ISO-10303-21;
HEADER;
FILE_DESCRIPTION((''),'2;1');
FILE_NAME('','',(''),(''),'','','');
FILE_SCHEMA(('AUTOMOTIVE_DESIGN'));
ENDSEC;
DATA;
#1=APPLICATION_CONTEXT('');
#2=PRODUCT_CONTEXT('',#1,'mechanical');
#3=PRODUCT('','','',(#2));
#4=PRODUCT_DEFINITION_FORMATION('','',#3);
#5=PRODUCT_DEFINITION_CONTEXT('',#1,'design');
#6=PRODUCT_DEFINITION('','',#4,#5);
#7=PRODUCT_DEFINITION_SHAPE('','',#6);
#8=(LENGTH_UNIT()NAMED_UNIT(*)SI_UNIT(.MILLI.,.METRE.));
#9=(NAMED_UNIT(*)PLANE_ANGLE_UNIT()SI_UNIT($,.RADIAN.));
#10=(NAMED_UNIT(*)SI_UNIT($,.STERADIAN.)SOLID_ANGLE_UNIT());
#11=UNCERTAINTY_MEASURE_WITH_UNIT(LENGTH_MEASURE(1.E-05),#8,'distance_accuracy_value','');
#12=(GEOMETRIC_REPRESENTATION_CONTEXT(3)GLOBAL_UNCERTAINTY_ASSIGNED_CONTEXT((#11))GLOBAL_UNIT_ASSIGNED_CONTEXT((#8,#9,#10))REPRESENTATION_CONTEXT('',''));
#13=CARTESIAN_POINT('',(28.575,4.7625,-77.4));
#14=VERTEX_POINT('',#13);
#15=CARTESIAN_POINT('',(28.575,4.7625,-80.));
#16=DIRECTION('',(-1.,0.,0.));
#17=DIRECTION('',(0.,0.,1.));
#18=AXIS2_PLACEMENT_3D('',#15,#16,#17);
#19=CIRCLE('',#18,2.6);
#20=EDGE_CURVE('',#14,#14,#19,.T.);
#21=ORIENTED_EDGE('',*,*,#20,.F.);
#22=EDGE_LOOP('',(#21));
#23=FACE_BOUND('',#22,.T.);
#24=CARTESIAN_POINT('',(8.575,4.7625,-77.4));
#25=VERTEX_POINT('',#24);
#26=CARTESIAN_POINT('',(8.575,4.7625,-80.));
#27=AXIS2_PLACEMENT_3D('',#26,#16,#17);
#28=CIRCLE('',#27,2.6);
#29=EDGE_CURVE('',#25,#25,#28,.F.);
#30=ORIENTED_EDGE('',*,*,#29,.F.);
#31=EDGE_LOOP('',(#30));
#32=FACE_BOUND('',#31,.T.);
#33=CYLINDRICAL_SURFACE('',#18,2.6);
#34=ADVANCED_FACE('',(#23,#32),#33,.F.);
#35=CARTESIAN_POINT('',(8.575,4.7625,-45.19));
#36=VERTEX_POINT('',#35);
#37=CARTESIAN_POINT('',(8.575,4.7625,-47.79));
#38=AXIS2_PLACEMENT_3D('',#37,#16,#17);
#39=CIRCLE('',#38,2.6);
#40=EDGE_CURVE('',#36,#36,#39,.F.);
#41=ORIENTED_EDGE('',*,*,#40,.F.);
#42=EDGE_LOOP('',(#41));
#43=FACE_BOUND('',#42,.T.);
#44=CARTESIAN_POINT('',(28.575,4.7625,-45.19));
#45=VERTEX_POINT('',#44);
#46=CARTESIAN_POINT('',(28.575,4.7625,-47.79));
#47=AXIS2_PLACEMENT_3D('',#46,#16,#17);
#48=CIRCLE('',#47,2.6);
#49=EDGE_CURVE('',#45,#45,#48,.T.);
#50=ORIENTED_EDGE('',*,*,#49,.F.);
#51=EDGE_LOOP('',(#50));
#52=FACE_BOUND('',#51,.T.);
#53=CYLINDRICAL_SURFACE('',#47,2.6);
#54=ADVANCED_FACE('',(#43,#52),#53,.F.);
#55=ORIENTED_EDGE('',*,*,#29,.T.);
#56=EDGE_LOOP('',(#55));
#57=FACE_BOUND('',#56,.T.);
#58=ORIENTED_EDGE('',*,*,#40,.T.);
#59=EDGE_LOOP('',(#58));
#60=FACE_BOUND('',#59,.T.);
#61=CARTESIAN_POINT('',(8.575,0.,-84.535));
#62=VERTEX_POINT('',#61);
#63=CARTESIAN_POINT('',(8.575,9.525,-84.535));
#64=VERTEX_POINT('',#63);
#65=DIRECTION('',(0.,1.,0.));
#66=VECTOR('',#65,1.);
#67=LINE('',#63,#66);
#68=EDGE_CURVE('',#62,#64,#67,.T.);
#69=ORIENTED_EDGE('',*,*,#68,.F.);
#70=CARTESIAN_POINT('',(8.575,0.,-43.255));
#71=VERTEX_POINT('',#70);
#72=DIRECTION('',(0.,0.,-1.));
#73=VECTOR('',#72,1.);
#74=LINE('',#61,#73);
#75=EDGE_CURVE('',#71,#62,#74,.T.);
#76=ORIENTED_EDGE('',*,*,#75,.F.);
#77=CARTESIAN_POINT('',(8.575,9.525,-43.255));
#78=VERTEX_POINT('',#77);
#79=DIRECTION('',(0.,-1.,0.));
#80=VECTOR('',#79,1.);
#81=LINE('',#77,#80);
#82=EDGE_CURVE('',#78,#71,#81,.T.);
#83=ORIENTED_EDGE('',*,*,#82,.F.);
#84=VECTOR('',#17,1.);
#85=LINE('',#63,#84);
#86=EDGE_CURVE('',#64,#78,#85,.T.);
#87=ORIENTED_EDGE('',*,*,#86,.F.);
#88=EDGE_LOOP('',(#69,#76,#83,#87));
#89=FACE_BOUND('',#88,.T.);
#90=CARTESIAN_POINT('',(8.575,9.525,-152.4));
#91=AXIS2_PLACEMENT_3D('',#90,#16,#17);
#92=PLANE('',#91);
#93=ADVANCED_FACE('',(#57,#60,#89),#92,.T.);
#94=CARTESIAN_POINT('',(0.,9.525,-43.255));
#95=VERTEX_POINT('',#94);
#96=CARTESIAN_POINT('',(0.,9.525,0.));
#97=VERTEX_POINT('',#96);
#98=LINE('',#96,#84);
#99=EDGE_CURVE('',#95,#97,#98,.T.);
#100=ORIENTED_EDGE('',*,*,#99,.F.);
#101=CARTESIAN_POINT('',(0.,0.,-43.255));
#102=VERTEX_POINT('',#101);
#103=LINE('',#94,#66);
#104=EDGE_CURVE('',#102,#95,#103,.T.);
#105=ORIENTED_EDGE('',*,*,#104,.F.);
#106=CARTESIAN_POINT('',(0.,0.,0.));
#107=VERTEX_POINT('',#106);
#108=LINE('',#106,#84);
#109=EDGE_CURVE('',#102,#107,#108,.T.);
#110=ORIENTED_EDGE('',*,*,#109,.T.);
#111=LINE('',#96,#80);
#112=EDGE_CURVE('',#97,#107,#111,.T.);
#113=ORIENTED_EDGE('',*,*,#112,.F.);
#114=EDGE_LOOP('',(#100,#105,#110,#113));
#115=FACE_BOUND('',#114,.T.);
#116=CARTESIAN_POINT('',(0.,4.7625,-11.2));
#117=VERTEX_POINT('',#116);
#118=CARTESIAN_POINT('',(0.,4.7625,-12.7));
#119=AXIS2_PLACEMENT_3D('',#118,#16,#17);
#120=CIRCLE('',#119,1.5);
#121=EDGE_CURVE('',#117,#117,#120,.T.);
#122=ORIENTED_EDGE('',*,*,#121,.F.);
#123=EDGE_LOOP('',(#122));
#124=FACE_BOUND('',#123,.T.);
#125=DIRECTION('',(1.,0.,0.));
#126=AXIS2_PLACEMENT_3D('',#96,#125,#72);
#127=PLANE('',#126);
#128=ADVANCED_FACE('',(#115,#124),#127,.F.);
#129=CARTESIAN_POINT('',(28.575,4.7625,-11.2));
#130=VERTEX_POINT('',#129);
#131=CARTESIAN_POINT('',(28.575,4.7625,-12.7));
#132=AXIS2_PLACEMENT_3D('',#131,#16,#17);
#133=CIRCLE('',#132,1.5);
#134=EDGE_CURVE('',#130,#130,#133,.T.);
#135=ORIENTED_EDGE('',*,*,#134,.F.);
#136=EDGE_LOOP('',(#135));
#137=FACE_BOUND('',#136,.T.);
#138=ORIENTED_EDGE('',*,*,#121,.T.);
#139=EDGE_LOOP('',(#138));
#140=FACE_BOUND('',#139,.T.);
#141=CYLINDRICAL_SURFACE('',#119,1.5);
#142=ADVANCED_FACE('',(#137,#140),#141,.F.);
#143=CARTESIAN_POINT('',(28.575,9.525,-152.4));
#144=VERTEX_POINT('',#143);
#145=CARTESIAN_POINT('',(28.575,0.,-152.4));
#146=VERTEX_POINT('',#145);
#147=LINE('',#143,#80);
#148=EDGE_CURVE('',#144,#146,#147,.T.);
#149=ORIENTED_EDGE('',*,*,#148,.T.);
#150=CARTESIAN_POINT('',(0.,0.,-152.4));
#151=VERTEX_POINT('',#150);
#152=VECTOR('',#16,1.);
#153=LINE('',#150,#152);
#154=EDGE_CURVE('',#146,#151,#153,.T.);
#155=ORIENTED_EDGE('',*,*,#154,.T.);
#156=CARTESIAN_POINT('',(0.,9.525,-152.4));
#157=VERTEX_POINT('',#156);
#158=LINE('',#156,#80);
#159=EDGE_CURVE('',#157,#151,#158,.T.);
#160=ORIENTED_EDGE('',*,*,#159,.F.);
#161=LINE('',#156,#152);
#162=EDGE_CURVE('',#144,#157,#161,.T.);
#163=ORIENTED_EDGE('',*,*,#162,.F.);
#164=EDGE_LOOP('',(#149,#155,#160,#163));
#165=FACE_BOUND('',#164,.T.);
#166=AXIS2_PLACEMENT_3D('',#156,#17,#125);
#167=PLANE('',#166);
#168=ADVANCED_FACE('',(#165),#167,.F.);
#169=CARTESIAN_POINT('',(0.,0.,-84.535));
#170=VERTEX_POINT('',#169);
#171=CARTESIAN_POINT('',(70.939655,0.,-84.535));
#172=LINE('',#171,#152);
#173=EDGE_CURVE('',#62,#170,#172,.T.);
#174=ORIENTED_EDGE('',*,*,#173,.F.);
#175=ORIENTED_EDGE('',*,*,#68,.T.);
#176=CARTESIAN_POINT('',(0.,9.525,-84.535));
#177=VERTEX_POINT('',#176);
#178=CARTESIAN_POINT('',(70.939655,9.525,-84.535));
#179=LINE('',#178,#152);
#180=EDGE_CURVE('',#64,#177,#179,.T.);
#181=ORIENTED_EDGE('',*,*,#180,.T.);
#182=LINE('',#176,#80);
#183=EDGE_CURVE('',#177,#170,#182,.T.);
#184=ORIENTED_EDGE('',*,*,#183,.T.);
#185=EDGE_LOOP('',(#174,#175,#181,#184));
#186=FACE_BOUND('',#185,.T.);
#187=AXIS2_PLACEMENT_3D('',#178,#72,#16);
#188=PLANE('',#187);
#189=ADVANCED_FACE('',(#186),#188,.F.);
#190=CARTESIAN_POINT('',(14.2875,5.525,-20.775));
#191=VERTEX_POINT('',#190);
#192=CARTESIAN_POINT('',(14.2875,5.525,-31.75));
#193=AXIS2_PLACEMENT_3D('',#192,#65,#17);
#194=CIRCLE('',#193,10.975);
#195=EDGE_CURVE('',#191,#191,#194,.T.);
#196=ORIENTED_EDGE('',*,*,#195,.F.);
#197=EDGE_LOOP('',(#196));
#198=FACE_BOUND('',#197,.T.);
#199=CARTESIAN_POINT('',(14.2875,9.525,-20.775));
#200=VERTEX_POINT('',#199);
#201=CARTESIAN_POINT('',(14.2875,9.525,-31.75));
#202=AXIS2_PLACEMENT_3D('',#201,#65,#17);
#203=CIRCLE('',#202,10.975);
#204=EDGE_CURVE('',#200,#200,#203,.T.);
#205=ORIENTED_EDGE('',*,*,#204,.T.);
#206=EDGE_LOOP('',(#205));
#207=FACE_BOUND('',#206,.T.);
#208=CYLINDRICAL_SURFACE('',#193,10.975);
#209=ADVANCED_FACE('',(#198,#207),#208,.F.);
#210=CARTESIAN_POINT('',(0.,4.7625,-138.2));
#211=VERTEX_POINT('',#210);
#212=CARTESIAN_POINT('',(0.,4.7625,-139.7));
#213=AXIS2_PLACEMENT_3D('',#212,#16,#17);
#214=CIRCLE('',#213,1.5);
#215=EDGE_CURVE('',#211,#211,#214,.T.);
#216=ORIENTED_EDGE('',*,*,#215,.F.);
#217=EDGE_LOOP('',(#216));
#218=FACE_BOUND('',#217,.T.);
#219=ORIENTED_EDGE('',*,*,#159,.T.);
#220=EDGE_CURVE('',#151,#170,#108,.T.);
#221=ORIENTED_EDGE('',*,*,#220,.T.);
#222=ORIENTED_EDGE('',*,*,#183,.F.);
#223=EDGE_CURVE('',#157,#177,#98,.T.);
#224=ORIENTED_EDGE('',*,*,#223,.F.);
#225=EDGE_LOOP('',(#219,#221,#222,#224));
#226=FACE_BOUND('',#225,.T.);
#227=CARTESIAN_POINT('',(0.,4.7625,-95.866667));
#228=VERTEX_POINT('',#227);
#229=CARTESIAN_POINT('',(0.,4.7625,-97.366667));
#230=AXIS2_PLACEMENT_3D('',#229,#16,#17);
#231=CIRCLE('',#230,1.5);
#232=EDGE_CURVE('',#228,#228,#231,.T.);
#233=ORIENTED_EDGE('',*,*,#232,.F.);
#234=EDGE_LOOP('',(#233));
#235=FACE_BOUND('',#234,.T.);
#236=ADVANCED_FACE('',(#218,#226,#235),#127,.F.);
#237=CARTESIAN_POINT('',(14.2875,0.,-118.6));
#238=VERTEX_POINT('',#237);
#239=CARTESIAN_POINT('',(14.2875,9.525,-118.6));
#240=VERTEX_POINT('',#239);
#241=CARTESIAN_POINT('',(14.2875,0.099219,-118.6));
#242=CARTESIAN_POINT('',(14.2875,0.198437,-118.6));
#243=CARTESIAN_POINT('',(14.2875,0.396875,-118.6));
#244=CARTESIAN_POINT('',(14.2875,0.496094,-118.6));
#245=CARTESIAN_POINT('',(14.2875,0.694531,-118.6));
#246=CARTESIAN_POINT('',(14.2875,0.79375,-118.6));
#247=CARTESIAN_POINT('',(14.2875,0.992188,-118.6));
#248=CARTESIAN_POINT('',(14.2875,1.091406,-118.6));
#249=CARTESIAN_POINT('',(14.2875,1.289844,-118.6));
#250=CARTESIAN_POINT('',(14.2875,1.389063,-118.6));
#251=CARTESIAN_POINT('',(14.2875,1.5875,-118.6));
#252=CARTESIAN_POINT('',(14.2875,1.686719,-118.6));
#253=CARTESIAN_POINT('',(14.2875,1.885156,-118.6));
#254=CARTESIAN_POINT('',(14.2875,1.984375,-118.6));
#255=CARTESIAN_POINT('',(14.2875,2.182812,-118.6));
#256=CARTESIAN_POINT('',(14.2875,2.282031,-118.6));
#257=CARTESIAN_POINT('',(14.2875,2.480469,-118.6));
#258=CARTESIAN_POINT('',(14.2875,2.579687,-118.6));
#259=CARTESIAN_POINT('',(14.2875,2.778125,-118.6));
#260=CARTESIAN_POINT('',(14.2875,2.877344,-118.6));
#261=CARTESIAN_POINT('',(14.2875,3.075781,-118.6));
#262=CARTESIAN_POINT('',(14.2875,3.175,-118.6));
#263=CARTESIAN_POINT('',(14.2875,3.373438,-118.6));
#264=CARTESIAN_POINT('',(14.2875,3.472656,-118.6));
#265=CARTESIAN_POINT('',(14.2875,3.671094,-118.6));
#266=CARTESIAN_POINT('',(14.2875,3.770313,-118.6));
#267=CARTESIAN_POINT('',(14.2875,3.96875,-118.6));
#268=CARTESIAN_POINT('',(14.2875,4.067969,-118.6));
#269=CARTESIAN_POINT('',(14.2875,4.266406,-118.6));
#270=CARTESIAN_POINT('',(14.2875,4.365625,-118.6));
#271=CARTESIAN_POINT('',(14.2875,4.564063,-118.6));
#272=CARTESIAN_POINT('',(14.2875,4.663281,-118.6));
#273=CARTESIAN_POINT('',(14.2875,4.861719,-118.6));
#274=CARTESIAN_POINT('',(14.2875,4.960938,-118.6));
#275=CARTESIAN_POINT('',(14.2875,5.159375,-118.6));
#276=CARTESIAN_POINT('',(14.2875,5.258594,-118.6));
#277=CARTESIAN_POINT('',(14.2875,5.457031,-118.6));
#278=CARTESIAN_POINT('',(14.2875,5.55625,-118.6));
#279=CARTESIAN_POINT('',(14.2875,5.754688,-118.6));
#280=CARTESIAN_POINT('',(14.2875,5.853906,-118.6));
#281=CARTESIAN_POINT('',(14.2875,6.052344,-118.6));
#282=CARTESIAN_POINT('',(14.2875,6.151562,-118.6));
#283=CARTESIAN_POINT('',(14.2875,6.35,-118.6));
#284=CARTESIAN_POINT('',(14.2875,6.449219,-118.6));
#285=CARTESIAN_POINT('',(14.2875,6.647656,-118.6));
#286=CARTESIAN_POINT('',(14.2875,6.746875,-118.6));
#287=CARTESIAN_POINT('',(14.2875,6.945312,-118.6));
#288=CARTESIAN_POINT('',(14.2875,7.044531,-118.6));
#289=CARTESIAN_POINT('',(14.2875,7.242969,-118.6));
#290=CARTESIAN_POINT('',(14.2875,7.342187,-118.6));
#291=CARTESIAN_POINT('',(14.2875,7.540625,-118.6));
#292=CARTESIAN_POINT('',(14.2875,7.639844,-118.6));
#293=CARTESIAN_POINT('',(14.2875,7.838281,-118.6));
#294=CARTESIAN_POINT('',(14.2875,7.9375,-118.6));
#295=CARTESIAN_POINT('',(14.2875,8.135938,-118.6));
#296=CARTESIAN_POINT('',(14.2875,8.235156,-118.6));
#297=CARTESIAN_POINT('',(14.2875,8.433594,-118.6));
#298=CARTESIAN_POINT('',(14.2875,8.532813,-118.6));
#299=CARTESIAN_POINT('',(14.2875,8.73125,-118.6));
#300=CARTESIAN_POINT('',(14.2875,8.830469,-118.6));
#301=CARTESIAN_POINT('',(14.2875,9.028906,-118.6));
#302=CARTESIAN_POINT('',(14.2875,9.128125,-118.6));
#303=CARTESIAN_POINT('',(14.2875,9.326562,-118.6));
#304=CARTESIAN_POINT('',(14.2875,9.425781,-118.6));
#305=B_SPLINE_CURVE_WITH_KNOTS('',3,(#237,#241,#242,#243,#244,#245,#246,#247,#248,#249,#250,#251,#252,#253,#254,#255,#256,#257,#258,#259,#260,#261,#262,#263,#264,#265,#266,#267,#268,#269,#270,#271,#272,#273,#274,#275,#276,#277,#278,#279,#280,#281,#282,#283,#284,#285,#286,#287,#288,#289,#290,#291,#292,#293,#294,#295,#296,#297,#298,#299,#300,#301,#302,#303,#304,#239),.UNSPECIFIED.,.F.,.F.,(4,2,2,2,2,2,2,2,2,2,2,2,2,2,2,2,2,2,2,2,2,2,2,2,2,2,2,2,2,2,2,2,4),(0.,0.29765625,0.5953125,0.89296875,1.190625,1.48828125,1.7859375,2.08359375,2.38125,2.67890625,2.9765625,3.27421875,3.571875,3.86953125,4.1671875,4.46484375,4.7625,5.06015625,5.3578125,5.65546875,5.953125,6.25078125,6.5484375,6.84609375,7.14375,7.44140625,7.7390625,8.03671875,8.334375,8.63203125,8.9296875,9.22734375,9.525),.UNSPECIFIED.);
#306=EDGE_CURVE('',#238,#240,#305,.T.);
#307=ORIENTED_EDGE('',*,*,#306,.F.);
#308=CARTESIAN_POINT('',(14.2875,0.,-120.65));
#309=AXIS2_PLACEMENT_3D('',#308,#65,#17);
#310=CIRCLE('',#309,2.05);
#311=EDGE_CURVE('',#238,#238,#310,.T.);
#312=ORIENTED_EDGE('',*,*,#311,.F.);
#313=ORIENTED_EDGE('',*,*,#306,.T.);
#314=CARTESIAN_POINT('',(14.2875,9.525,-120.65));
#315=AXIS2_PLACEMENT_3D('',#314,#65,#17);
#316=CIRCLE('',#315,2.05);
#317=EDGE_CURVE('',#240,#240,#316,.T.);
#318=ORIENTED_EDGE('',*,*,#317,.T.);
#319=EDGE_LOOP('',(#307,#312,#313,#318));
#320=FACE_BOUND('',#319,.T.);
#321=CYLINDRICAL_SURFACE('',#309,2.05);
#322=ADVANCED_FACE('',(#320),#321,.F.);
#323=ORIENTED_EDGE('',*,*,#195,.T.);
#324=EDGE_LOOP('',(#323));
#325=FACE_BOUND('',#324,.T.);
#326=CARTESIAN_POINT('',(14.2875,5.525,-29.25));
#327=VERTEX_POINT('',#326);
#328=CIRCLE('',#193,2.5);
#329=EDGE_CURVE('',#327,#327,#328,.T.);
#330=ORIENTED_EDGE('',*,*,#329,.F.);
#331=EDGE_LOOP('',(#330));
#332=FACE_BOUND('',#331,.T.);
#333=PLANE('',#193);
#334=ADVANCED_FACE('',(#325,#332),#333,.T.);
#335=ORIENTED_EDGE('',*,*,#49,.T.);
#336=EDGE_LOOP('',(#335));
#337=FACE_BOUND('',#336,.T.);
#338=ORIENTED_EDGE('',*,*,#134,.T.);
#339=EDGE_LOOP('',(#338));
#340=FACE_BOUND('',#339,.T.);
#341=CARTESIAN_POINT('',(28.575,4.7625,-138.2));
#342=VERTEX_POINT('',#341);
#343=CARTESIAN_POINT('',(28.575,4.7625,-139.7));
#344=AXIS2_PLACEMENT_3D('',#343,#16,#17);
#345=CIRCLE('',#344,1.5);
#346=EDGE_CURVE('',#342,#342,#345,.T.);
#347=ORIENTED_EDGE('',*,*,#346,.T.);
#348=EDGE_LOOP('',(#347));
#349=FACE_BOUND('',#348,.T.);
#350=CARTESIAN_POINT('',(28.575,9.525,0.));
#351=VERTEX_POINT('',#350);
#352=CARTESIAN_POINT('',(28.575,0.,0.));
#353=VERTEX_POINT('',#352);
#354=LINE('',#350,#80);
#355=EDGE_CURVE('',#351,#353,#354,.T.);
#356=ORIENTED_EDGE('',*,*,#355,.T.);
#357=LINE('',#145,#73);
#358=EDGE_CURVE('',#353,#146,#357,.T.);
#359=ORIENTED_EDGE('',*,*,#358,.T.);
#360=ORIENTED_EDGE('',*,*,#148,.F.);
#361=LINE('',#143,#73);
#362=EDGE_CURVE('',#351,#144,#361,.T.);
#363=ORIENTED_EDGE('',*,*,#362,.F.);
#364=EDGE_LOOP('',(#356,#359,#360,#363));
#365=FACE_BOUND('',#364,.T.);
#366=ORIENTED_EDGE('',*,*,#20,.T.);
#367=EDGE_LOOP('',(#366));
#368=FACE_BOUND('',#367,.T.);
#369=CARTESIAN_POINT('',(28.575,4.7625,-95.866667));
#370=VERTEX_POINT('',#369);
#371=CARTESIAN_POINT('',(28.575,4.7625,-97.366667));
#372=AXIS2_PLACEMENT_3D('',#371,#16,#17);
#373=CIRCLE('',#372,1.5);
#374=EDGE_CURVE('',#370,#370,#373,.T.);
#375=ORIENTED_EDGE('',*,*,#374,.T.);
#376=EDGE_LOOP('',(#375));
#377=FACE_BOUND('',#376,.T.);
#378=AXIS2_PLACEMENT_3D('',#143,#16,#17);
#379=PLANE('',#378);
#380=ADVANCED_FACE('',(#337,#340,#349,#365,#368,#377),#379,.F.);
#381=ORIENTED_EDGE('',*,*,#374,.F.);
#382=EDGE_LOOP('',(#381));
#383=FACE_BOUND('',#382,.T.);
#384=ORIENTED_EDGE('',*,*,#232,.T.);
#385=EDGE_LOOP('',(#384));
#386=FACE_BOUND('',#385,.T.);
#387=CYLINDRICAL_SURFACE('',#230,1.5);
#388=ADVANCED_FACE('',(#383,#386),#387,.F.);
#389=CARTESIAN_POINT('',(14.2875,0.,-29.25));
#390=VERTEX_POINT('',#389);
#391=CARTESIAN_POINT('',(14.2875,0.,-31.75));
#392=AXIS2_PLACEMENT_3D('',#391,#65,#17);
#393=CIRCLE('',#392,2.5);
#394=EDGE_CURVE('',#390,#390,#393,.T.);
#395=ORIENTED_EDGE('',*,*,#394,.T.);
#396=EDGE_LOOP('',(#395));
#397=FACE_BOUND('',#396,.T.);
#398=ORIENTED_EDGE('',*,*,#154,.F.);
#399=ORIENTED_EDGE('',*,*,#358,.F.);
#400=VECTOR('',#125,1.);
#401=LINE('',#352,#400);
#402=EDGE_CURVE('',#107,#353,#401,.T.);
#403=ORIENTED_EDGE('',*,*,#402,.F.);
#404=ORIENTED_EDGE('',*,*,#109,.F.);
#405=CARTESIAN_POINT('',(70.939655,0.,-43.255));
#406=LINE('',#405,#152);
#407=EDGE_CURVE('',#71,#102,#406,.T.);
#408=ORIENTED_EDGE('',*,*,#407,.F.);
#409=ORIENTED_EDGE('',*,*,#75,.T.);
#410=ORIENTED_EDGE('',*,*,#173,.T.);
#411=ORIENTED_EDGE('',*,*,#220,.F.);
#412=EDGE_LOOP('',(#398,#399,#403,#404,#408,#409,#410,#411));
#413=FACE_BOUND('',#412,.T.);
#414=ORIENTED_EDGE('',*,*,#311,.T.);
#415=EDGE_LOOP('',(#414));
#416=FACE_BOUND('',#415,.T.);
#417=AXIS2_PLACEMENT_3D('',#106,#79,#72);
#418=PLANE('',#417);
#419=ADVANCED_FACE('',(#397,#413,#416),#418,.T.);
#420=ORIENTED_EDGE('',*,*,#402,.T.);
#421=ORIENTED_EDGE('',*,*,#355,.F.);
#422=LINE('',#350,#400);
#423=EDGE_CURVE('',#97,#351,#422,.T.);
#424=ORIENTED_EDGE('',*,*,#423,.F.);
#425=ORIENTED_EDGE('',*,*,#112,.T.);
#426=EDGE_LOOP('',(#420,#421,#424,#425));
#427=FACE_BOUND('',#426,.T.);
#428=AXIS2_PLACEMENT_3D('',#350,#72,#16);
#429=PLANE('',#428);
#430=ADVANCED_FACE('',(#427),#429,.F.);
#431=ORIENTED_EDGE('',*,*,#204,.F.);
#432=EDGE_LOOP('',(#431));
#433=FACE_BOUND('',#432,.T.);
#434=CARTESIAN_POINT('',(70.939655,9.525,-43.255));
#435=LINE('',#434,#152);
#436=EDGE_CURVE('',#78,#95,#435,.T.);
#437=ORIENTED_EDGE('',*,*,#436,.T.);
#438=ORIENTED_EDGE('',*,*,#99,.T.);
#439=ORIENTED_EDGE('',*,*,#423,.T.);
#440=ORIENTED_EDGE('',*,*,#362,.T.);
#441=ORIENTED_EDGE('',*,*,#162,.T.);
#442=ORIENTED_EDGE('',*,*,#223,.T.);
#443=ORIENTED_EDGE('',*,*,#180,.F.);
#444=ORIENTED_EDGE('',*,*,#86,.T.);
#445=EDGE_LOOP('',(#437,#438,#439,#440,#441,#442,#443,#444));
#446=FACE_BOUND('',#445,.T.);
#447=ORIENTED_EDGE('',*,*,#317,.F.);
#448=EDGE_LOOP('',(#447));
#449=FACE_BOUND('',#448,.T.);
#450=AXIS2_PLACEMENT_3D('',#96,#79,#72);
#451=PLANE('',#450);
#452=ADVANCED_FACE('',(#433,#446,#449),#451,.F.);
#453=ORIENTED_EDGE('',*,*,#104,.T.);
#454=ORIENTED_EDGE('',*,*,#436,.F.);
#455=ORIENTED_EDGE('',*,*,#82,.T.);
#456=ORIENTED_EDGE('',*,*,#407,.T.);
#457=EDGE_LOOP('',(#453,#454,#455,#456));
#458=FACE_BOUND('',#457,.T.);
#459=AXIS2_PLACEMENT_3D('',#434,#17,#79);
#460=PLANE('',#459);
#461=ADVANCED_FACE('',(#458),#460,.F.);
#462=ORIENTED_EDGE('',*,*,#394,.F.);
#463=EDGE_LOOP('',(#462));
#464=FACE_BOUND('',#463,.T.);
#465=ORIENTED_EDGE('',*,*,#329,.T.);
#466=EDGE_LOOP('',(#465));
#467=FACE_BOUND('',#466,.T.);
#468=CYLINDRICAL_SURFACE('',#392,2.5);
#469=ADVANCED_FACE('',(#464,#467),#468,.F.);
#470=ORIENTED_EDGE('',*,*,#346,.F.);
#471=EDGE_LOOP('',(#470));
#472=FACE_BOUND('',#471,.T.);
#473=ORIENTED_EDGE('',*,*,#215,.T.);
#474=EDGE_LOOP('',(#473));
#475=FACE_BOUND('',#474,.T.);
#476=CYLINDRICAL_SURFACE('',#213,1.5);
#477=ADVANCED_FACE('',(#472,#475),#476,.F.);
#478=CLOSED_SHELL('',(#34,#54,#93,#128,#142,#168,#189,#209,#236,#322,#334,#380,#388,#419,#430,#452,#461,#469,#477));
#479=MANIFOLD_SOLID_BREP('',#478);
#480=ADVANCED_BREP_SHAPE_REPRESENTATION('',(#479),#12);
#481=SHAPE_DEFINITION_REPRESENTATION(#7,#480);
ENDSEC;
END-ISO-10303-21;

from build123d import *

# Parameters (mm, degrees)
SKETCH2_W             = 28.575
SKETCH2_H             = 152.4
BOSS_EXTRUDE1_DEPTH   = 9.525
F_3_0MM_DOWEL_HOLE1_D = 3
LPATTERN1_COUNT       = 4
LPATTERN1_PITCH       = 42.333333333
SKETCH12_R            = 2.05
CUT_EXTRUDE1_DEPTH    = 156.348048749
SKETCH12_4_R          = 10.975
CUT_EXTRUDE2_DEPTH    = 4
SKETCH15_R            = 2.5
CUT_EXTRUDE3_DEPTH    = 156.154169296
SKETCH13_R            = 2.6
CUT_EXTRUDE4_DEPTH    = 156.348048749
SKETCH17_W            = 41.28
SKETCH17_H            = 9.525
CUT_EXTRUDE5_DEPTH    = 8.575


with BuildPart() as part:
    # Sketch2 → Boss-Extrude1 (new body)
    with BuildSketch(Plane(origin=(0, 0, 0), x_dir=(1, 0, 0), z_dir=(0, 1, 0))):
        with Locations((14.2875, 76.2)):
            Rectangle(SKETCH2_W, SKETCH2_H)
    extrude(amount=BOSS_EXTRUDE1_DEPTH)

    # Ø3.0mm Dowel Hole1 (through all)
    with Locations(Plane.ZY):
        with Locations((-139.7, 4.7625)):
            f_3_0mm_dowel_hole1 = Hole(F_3_0MM_DOWEL_HOLE1_D / 2)

    # LPattern1: Ø3.0mm Dowel Hole1 ×4, 1 skipped
    with Locations(*[(0, 0, i * LPATTERN1_PITCH) for i in range(1, LPATTERN1_COUNT) if i not in (2,)]):
        add(f_3_0mm_dowel_hole1, mode=Mode.SUBTRACT)

    # Sketch12 → Cut-Extrude1 (cut, through all)
    with BuildSketch(Plane(origin=(0, 9.525, 0), x_dir=(1, 0, 0), z_dir=(0, 1, 0))):
        with Locations(Location((14.2875, 120.65, 0), (0, 0, 270))):
            Circle(SKETCH12_R)
    extrude(amount=-CUT_EXTRUDE1_DEPTH, mode=Mode.SUBTRACT)

    # Sketch12<4> → Cut-Extrude2 (cut)
    with BuildSketch(Plane(origin=(0, 9.525, 0), x_dir=(1, 0, 0), z_dir=(0, 1, 0))):
        with Locations(Location((14.2875, 31.75, 0), (0, 0, 270))):
            Circle(SKETCH12_4_R)
    extrude(amount=-CUT_EXTRUDE2_DEPTH, mode=Mode.SUBTRACT)

    # Sketch15 → Cut-Extrude3 (cut, through all)
    with BuildSketch(Plane(origin=(0, 5.525, 0), x_dir=(1, 0, 0), z_dir=(0, 1, 0))):
        with Locations(Location((14.2875, 31.75, 0), (0, 0, 270))):
            Circle(SKETCH15_R)
    extrude(amount=-CUT_EXTRUDE3_DEPTH, mode=Mode.SUBTRACT)

    # Sketch13 → Cut-Extrude4 (cut, through all)
    with BuildSketch(Plane.ZY):
        with Locations((-80, 4.7625)):
            Circle(SKETCH13_R)
        with Locations((-47.79, 4.7625)):
            Circle(SKETCH13_R)
    extrude(amount=-CUT_EXTRUDE4_DEPTH, mode=Mode.SUBTRACT)

    # Sketch17 → Cut-Extrude5 (cut)
    with BuildSketch(Plane.ZY):
        with Locations((-63.895, 4.7625)):
            Rectangle(SKETCH17_W, SKETCH17_H)
    extrude(amount=-CUT_EXTRUDE5_DEPTH, mode=Mode.SUBTRACT)


solid = part.part
